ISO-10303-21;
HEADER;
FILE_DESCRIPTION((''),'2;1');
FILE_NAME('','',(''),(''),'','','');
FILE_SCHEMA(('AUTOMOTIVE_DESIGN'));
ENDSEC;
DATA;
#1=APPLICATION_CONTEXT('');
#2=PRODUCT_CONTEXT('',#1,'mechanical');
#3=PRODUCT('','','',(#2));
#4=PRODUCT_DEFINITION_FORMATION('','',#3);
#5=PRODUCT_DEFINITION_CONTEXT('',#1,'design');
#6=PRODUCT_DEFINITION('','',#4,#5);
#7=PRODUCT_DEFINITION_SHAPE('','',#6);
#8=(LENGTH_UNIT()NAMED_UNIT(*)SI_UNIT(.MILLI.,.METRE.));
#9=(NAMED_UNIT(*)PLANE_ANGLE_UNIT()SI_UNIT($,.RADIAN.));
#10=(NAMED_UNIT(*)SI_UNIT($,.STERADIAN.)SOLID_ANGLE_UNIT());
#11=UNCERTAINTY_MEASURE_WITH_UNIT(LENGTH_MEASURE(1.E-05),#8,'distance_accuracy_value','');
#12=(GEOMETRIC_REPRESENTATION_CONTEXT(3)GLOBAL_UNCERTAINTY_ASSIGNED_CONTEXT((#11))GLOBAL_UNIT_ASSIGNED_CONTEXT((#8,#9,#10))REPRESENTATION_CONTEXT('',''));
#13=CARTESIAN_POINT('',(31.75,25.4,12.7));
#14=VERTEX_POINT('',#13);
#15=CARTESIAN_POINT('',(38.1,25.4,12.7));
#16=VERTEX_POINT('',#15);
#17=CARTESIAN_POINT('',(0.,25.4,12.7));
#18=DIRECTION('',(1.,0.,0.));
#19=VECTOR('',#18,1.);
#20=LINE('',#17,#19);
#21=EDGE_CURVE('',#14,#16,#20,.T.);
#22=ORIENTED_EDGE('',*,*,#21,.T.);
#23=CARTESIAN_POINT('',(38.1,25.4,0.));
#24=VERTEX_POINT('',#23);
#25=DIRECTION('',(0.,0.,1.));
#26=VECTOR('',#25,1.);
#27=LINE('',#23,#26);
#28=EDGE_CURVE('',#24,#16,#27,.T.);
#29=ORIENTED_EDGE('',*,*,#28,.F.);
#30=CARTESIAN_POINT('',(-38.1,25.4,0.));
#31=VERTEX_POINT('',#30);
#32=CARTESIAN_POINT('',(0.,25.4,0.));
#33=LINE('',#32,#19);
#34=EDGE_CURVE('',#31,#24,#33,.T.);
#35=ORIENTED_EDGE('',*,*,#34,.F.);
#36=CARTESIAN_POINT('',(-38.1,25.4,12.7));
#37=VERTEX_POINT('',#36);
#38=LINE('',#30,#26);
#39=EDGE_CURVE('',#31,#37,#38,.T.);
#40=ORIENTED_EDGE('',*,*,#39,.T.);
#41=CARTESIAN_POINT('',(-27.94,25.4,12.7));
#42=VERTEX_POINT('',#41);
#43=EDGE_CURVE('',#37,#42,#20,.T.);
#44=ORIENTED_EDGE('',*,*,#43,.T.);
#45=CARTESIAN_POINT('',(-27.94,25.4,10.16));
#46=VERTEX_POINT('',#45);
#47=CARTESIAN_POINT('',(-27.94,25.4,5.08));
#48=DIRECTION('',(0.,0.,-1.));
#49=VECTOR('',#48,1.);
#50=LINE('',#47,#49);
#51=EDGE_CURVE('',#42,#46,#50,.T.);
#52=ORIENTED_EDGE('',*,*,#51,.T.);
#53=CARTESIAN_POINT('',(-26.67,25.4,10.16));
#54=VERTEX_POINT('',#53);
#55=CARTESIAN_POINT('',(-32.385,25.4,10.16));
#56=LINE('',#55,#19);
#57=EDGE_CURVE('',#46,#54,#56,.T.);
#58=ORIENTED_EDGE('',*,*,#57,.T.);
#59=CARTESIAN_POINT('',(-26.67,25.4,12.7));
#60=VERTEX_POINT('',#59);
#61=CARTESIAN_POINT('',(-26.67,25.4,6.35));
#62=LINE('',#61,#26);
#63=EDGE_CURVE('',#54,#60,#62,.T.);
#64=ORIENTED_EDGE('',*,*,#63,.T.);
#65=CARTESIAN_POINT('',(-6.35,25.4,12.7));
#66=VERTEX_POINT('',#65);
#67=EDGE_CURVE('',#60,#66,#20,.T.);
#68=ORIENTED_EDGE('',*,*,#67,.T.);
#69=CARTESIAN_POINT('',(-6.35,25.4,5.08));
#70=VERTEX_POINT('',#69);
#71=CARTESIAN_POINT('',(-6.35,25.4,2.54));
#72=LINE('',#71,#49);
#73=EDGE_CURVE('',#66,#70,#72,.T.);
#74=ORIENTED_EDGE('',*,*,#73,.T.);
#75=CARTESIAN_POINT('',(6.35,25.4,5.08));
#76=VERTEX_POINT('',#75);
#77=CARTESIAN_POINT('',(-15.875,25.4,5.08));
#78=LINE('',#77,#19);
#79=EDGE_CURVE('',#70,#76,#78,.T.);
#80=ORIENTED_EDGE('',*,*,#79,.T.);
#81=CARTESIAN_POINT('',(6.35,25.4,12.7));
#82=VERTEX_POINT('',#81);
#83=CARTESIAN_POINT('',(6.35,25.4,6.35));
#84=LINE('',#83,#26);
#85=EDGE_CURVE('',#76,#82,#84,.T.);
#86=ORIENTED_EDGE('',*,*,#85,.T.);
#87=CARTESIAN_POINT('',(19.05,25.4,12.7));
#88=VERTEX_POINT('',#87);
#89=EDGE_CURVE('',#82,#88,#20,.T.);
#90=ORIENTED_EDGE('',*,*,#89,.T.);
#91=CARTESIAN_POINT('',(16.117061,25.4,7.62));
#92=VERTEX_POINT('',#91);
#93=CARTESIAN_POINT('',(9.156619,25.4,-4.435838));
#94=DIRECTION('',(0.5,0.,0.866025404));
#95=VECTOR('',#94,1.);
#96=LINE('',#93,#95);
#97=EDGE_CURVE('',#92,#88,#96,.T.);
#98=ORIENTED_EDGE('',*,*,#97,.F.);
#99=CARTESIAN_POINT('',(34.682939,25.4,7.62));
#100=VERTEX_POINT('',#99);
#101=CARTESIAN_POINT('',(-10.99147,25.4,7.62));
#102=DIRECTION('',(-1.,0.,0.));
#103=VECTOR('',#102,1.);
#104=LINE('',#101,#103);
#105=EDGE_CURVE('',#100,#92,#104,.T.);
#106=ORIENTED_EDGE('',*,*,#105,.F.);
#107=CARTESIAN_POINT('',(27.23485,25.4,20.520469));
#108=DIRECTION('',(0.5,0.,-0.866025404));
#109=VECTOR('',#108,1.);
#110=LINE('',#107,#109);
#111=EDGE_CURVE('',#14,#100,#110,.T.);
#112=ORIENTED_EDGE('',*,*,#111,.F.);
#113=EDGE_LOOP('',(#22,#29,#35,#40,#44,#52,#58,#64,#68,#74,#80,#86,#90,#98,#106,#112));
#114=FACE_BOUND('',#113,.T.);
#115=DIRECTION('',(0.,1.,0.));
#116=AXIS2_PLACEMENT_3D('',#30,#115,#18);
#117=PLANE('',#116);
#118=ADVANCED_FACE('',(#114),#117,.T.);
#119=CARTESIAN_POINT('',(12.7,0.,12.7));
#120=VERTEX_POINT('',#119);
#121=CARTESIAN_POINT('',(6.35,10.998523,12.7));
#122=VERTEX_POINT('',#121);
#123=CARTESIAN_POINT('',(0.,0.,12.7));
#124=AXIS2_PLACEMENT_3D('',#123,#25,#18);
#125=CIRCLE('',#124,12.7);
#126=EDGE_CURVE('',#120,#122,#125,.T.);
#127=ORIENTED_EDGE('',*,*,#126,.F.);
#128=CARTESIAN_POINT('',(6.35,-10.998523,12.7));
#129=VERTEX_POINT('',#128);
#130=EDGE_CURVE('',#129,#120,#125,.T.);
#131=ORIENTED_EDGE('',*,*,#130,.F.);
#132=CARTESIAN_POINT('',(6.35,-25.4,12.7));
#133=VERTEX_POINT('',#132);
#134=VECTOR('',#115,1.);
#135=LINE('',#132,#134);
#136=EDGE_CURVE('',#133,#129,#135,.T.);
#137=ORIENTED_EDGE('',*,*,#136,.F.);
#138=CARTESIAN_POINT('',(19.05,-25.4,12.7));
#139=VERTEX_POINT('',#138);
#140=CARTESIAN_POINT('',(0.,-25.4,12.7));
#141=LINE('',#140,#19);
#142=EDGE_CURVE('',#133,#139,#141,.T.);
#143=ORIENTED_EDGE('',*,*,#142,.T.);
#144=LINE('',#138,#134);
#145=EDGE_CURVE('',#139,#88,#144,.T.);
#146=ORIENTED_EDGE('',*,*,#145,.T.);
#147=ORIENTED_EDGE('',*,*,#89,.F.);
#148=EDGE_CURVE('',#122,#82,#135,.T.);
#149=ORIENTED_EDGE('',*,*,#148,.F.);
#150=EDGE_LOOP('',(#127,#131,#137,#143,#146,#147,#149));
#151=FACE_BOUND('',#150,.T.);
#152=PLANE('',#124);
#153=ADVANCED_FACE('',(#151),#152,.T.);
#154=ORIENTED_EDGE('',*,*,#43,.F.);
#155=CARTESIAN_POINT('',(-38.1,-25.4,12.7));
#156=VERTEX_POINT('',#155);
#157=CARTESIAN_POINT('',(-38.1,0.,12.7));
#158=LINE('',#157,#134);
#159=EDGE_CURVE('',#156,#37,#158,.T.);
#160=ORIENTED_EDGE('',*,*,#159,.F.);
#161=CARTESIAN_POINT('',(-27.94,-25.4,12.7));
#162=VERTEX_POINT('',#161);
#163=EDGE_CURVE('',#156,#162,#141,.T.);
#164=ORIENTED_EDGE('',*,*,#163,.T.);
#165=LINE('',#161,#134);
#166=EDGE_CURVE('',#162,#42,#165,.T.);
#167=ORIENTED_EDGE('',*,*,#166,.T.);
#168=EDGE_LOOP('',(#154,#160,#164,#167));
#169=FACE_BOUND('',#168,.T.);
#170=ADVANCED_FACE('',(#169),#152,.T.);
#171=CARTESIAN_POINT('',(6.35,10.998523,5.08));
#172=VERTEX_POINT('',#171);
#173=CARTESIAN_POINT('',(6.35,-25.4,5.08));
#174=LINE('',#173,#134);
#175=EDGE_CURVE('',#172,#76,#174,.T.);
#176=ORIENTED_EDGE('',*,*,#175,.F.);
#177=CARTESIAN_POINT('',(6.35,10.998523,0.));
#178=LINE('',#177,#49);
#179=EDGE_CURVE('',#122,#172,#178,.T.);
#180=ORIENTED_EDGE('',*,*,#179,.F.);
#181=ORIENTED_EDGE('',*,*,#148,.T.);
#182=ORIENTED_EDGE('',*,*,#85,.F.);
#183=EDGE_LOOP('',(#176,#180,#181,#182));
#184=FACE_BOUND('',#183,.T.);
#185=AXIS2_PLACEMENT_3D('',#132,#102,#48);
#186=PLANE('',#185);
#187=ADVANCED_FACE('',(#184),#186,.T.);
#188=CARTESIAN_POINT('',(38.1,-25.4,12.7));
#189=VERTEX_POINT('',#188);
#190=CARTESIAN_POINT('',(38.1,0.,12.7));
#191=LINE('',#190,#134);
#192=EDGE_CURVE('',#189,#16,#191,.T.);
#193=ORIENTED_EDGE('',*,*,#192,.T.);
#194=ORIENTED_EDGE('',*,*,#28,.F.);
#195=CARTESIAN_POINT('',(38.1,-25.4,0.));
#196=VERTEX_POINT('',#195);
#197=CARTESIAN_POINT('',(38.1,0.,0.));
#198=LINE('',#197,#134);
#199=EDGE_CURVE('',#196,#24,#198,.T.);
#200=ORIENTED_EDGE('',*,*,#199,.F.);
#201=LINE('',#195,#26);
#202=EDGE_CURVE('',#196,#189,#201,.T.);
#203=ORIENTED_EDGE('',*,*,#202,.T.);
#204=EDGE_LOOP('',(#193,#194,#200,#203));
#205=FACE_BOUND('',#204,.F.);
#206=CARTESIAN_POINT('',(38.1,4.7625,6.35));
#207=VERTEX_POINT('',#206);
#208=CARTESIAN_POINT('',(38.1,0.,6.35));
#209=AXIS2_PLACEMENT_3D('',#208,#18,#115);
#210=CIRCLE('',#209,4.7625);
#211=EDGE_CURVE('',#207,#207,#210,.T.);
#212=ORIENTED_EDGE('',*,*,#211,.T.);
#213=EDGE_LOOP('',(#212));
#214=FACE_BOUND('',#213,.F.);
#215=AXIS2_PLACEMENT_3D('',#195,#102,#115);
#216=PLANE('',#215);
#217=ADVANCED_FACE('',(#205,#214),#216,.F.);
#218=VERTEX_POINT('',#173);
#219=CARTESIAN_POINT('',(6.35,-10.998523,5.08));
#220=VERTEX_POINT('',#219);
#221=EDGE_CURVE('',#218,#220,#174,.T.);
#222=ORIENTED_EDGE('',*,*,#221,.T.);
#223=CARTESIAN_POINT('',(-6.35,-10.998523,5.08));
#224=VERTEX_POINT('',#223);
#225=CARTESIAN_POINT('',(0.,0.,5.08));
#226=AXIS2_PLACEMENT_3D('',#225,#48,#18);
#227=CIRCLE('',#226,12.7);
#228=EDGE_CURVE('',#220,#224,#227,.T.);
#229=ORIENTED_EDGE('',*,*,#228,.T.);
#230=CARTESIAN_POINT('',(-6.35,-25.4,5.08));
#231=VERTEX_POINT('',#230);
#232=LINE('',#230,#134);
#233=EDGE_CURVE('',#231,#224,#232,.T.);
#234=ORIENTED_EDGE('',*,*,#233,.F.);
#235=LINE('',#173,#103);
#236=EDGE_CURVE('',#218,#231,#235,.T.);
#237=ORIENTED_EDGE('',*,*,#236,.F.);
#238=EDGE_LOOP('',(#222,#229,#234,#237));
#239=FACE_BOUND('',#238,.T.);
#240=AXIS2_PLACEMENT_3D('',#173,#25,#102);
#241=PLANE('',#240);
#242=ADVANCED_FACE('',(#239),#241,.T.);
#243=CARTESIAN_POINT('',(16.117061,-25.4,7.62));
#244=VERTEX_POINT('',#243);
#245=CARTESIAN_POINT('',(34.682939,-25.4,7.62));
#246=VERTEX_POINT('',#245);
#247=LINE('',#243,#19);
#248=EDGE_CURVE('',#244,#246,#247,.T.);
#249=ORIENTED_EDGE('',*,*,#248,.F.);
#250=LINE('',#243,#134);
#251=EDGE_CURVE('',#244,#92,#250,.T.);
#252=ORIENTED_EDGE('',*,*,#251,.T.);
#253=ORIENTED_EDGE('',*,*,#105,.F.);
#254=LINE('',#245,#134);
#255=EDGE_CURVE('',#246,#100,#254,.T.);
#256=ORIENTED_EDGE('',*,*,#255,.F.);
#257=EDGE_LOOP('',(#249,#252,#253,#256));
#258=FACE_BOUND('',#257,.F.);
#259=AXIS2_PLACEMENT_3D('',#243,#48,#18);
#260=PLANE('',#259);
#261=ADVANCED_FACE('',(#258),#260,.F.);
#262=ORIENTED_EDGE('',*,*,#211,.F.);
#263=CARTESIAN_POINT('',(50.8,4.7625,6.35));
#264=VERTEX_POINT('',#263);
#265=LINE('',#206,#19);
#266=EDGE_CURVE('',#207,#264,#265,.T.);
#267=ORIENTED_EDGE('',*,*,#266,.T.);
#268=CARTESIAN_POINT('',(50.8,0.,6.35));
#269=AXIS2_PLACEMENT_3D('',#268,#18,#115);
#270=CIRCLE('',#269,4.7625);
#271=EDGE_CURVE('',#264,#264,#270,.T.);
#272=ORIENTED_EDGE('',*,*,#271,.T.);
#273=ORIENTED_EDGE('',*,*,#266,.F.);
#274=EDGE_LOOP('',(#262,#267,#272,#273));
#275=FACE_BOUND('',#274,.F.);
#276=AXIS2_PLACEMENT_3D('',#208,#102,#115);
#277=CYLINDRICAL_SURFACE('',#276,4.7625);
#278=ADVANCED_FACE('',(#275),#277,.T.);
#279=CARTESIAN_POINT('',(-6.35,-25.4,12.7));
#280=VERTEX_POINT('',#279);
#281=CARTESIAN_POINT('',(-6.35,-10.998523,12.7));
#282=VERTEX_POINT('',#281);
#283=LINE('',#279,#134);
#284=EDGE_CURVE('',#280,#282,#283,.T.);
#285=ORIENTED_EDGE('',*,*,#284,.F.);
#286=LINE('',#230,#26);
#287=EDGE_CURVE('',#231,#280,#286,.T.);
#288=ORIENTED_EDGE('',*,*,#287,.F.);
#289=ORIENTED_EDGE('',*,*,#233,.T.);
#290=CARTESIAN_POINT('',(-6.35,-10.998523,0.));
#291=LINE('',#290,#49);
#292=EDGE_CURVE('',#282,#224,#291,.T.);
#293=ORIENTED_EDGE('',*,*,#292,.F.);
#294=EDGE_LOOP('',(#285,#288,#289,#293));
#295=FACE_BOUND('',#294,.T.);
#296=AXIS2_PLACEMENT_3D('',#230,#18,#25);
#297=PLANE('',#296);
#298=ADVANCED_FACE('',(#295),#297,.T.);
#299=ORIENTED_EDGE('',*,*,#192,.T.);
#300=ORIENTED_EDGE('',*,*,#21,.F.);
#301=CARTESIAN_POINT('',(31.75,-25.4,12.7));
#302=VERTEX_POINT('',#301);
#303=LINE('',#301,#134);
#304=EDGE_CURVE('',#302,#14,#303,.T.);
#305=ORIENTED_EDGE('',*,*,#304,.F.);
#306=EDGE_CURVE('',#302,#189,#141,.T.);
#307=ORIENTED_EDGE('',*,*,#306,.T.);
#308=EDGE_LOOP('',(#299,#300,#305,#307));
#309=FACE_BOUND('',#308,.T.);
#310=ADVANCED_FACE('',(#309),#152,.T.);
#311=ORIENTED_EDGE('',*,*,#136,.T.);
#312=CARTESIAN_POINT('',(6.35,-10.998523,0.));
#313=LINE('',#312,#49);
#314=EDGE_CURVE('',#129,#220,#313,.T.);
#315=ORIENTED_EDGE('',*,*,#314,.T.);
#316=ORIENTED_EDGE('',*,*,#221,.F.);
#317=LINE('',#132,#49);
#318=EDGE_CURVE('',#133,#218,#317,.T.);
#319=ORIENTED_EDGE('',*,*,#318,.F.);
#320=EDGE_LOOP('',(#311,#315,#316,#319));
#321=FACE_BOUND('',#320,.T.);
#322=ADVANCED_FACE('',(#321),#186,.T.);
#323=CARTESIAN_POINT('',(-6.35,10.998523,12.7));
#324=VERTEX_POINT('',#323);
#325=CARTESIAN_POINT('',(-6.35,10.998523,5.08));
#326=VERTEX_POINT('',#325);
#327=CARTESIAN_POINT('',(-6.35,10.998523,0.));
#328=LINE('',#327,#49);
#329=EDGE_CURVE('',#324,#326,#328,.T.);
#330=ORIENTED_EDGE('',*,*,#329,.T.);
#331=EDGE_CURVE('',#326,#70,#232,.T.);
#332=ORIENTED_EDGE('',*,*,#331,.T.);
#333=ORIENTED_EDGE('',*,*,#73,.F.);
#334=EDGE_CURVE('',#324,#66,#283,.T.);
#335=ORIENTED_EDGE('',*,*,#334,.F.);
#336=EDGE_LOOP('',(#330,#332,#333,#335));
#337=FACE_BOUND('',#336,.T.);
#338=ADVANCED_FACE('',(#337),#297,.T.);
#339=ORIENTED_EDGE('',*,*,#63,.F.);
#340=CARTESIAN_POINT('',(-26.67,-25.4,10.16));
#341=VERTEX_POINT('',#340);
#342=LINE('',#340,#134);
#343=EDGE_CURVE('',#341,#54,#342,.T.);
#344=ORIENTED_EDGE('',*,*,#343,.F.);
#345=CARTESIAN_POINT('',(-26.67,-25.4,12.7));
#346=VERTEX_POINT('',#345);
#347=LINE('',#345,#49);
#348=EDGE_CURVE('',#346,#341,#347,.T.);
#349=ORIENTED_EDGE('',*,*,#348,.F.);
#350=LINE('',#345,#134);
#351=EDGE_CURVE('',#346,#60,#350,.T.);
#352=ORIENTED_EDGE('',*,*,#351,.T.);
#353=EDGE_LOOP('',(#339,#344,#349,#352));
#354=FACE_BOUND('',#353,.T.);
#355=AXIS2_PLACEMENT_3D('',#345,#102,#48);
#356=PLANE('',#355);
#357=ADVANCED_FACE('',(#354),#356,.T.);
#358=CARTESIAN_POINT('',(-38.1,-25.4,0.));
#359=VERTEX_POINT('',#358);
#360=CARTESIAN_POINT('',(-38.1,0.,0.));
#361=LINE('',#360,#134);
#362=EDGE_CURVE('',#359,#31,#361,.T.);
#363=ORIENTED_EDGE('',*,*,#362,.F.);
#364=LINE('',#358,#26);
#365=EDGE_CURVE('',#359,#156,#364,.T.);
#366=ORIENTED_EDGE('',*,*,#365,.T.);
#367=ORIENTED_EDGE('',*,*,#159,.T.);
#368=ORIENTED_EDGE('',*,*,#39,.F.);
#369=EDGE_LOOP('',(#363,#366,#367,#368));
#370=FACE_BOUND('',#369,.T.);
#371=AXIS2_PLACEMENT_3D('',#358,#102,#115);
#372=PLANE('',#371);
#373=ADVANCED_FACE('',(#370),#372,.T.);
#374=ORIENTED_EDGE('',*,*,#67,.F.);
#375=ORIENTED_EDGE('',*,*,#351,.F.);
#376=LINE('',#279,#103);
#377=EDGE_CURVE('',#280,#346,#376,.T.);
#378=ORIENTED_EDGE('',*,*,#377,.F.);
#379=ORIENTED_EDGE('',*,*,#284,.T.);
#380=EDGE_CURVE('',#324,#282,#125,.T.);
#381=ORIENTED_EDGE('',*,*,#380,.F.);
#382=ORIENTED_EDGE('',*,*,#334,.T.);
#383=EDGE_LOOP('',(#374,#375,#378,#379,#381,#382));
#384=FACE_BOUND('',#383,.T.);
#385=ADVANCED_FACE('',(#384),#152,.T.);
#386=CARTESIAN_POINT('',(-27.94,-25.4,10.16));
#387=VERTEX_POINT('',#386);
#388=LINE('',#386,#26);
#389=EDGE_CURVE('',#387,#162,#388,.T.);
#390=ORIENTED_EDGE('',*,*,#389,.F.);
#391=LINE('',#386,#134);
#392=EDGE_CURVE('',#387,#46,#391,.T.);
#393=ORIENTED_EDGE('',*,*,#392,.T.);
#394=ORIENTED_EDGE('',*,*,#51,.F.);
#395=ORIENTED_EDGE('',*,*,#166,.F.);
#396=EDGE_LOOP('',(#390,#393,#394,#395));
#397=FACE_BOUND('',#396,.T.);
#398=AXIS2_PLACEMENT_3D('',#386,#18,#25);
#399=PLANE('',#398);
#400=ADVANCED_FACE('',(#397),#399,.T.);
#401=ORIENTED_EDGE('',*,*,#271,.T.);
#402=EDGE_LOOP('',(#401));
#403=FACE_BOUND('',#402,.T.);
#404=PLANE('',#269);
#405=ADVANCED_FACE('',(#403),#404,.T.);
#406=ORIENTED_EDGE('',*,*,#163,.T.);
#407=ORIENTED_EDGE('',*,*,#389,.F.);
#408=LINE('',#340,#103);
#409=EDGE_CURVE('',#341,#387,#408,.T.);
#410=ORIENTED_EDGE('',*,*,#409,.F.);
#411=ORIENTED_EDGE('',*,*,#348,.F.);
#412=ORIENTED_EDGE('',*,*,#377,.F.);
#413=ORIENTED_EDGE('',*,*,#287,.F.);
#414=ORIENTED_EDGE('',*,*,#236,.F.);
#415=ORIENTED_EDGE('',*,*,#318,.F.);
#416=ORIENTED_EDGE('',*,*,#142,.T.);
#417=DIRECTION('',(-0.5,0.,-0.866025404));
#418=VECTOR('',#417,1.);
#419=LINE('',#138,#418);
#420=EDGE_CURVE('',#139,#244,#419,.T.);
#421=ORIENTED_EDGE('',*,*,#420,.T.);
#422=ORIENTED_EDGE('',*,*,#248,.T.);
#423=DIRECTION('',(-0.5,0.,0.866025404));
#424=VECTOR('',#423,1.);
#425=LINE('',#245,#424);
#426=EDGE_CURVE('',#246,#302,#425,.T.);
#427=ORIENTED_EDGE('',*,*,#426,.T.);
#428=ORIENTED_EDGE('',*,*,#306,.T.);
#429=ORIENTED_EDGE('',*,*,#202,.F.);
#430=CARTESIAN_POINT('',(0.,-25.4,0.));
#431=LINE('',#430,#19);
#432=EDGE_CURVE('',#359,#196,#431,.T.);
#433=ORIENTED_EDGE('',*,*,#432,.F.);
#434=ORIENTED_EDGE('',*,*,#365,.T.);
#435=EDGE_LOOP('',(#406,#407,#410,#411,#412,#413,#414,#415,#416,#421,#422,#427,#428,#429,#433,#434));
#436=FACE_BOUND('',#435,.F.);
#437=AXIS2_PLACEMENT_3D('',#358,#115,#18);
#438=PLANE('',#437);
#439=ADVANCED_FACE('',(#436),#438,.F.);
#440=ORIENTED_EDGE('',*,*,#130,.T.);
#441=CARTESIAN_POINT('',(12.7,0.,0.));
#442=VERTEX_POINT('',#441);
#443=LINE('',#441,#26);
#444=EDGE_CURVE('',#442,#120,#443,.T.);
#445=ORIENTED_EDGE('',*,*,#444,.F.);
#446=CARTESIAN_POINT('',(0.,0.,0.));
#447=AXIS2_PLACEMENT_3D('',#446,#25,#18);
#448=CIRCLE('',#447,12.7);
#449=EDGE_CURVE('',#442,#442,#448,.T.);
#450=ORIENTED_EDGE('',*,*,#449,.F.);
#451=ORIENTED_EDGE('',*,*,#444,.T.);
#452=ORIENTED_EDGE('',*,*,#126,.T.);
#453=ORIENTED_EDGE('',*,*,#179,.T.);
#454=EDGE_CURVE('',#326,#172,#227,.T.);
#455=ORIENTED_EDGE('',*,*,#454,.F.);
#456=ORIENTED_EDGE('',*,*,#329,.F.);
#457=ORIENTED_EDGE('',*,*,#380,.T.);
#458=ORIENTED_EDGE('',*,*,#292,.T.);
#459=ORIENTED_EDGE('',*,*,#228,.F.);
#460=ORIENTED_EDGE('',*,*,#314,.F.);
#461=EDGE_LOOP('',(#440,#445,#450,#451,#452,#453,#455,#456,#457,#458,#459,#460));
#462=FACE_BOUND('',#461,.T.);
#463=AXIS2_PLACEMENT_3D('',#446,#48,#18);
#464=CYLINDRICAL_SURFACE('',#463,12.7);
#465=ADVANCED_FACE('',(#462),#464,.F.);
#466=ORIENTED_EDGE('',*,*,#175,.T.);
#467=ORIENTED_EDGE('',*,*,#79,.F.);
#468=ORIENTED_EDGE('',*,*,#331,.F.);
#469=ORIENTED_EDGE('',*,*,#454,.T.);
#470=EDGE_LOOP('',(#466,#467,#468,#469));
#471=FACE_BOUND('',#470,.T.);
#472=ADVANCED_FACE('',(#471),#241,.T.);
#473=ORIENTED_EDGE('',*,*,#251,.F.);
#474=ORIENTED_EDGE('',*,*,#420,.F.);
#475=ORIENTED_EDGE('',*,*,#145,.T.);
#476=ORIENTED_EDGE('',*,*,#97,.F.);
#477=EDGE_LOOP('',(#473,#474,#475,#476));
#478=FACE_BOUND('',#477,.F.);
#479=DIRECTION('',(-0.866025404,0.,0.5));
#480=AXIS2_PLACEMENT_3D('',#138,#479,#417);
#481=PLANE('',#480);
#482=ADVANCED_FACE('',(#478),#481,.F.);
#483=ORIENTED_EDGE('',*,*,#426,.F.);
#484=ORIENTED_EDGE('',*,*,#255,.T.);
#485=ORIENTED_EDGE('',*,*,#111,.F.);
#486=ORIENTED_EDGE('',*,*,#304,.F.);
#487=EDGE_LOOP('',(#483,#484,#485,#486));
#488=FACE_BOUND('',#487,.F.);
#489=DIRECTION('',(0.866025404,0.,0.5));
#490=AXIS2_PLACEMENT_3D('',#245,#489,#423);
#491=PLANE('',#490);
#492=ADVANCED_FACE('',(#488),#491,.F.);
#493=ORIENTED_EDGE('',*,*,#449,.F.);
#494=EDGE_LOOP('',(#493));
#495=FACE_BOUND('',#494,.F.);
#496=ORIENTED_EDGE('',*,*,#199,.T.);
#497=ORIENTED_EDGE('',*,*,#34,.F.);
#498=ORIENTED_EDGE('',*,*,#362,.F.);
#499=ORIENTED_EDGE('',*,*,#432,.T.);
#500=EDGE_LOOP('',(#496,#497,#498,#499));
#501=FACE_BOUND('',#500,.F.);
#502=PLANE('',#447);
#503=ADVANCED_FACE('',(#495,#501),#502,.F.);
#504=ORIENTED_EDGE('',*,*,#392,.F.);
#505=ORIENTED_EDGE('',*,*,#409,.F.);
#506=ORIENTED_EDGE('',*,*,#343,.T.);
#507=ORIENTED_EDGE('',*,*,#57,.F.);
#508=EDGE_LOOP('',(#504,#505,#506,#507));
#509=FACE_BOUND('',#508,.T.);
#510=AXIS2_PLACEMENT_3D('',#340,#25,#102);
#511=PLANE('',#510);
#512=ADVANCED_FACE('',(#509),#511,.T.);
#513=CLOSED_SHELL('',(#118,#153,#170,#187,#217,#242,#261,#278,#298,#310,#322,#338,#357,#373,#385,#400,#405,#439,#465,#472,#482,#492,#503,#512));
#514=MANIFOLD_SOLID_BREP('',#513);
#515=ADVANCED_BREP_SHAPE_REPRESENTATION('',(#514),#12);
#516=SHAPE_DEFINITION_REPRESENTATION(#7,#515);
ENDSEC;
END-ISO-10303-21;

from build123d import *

# Parameters (mm, degrees)
F0_W     = 76.2
F0_H     = 50.8
F0_R     = 12.7
F1_DEPTH = 12.7
F3_DEPTH = 50.801
F5_DEPTH = 50.801
F6_R     = 4.7625
F7_DEPTH = 12.7


with BuildPart() as f1:
    # F0 (on Top) → F1 (new body)
    with BuildSketch(Plane.XY):
        Rectangle(F0_W, F0_H)
        Circle(F0_R, mode=Mode.SUBTRACT)
    extrude(amount=F1_DEPTH)

    # F2 (on face) → F3 (intersect, through all)
    with BuildSketch(Plane.XZ.offset(25.4)):
        Polygon((-27.94, 10.16), (-27.94, 12.7), (-38.1, 12.7), (-38.1, 0), (38.1, 0), (38.1, 12.7), (6.35, 12.7), (6.35, 5.08), (-6.35, 5.08), (-6.35, 12.7), (-26.67, 12.7), (-26.67, 10.16), align=None)
    extrude(amount=-F3_DEPTH, mode=Mode.INTERSECT)

    # F4 (on face) → F5 (cut, through all)
    with BuildSketch(Plane.XZ.offset(25.4)):
        Polygon((31.75, 12.7), (19.05, 12.7), (16.1170606325, 7.62), (34.6829393675, 7.62), align=None)
    extrude(amount=-F5_DEPTH, mode=Mode.SUBTRACT)

    # F6 (on face) → F7 (join)
    with BuildSketch(Plane.YZ.offset(38.1)):
        with Locations((0, 6.35)):
            Circle(F6_R)
    extrude(amount=F7_DEPTH)


solid = f1.part
